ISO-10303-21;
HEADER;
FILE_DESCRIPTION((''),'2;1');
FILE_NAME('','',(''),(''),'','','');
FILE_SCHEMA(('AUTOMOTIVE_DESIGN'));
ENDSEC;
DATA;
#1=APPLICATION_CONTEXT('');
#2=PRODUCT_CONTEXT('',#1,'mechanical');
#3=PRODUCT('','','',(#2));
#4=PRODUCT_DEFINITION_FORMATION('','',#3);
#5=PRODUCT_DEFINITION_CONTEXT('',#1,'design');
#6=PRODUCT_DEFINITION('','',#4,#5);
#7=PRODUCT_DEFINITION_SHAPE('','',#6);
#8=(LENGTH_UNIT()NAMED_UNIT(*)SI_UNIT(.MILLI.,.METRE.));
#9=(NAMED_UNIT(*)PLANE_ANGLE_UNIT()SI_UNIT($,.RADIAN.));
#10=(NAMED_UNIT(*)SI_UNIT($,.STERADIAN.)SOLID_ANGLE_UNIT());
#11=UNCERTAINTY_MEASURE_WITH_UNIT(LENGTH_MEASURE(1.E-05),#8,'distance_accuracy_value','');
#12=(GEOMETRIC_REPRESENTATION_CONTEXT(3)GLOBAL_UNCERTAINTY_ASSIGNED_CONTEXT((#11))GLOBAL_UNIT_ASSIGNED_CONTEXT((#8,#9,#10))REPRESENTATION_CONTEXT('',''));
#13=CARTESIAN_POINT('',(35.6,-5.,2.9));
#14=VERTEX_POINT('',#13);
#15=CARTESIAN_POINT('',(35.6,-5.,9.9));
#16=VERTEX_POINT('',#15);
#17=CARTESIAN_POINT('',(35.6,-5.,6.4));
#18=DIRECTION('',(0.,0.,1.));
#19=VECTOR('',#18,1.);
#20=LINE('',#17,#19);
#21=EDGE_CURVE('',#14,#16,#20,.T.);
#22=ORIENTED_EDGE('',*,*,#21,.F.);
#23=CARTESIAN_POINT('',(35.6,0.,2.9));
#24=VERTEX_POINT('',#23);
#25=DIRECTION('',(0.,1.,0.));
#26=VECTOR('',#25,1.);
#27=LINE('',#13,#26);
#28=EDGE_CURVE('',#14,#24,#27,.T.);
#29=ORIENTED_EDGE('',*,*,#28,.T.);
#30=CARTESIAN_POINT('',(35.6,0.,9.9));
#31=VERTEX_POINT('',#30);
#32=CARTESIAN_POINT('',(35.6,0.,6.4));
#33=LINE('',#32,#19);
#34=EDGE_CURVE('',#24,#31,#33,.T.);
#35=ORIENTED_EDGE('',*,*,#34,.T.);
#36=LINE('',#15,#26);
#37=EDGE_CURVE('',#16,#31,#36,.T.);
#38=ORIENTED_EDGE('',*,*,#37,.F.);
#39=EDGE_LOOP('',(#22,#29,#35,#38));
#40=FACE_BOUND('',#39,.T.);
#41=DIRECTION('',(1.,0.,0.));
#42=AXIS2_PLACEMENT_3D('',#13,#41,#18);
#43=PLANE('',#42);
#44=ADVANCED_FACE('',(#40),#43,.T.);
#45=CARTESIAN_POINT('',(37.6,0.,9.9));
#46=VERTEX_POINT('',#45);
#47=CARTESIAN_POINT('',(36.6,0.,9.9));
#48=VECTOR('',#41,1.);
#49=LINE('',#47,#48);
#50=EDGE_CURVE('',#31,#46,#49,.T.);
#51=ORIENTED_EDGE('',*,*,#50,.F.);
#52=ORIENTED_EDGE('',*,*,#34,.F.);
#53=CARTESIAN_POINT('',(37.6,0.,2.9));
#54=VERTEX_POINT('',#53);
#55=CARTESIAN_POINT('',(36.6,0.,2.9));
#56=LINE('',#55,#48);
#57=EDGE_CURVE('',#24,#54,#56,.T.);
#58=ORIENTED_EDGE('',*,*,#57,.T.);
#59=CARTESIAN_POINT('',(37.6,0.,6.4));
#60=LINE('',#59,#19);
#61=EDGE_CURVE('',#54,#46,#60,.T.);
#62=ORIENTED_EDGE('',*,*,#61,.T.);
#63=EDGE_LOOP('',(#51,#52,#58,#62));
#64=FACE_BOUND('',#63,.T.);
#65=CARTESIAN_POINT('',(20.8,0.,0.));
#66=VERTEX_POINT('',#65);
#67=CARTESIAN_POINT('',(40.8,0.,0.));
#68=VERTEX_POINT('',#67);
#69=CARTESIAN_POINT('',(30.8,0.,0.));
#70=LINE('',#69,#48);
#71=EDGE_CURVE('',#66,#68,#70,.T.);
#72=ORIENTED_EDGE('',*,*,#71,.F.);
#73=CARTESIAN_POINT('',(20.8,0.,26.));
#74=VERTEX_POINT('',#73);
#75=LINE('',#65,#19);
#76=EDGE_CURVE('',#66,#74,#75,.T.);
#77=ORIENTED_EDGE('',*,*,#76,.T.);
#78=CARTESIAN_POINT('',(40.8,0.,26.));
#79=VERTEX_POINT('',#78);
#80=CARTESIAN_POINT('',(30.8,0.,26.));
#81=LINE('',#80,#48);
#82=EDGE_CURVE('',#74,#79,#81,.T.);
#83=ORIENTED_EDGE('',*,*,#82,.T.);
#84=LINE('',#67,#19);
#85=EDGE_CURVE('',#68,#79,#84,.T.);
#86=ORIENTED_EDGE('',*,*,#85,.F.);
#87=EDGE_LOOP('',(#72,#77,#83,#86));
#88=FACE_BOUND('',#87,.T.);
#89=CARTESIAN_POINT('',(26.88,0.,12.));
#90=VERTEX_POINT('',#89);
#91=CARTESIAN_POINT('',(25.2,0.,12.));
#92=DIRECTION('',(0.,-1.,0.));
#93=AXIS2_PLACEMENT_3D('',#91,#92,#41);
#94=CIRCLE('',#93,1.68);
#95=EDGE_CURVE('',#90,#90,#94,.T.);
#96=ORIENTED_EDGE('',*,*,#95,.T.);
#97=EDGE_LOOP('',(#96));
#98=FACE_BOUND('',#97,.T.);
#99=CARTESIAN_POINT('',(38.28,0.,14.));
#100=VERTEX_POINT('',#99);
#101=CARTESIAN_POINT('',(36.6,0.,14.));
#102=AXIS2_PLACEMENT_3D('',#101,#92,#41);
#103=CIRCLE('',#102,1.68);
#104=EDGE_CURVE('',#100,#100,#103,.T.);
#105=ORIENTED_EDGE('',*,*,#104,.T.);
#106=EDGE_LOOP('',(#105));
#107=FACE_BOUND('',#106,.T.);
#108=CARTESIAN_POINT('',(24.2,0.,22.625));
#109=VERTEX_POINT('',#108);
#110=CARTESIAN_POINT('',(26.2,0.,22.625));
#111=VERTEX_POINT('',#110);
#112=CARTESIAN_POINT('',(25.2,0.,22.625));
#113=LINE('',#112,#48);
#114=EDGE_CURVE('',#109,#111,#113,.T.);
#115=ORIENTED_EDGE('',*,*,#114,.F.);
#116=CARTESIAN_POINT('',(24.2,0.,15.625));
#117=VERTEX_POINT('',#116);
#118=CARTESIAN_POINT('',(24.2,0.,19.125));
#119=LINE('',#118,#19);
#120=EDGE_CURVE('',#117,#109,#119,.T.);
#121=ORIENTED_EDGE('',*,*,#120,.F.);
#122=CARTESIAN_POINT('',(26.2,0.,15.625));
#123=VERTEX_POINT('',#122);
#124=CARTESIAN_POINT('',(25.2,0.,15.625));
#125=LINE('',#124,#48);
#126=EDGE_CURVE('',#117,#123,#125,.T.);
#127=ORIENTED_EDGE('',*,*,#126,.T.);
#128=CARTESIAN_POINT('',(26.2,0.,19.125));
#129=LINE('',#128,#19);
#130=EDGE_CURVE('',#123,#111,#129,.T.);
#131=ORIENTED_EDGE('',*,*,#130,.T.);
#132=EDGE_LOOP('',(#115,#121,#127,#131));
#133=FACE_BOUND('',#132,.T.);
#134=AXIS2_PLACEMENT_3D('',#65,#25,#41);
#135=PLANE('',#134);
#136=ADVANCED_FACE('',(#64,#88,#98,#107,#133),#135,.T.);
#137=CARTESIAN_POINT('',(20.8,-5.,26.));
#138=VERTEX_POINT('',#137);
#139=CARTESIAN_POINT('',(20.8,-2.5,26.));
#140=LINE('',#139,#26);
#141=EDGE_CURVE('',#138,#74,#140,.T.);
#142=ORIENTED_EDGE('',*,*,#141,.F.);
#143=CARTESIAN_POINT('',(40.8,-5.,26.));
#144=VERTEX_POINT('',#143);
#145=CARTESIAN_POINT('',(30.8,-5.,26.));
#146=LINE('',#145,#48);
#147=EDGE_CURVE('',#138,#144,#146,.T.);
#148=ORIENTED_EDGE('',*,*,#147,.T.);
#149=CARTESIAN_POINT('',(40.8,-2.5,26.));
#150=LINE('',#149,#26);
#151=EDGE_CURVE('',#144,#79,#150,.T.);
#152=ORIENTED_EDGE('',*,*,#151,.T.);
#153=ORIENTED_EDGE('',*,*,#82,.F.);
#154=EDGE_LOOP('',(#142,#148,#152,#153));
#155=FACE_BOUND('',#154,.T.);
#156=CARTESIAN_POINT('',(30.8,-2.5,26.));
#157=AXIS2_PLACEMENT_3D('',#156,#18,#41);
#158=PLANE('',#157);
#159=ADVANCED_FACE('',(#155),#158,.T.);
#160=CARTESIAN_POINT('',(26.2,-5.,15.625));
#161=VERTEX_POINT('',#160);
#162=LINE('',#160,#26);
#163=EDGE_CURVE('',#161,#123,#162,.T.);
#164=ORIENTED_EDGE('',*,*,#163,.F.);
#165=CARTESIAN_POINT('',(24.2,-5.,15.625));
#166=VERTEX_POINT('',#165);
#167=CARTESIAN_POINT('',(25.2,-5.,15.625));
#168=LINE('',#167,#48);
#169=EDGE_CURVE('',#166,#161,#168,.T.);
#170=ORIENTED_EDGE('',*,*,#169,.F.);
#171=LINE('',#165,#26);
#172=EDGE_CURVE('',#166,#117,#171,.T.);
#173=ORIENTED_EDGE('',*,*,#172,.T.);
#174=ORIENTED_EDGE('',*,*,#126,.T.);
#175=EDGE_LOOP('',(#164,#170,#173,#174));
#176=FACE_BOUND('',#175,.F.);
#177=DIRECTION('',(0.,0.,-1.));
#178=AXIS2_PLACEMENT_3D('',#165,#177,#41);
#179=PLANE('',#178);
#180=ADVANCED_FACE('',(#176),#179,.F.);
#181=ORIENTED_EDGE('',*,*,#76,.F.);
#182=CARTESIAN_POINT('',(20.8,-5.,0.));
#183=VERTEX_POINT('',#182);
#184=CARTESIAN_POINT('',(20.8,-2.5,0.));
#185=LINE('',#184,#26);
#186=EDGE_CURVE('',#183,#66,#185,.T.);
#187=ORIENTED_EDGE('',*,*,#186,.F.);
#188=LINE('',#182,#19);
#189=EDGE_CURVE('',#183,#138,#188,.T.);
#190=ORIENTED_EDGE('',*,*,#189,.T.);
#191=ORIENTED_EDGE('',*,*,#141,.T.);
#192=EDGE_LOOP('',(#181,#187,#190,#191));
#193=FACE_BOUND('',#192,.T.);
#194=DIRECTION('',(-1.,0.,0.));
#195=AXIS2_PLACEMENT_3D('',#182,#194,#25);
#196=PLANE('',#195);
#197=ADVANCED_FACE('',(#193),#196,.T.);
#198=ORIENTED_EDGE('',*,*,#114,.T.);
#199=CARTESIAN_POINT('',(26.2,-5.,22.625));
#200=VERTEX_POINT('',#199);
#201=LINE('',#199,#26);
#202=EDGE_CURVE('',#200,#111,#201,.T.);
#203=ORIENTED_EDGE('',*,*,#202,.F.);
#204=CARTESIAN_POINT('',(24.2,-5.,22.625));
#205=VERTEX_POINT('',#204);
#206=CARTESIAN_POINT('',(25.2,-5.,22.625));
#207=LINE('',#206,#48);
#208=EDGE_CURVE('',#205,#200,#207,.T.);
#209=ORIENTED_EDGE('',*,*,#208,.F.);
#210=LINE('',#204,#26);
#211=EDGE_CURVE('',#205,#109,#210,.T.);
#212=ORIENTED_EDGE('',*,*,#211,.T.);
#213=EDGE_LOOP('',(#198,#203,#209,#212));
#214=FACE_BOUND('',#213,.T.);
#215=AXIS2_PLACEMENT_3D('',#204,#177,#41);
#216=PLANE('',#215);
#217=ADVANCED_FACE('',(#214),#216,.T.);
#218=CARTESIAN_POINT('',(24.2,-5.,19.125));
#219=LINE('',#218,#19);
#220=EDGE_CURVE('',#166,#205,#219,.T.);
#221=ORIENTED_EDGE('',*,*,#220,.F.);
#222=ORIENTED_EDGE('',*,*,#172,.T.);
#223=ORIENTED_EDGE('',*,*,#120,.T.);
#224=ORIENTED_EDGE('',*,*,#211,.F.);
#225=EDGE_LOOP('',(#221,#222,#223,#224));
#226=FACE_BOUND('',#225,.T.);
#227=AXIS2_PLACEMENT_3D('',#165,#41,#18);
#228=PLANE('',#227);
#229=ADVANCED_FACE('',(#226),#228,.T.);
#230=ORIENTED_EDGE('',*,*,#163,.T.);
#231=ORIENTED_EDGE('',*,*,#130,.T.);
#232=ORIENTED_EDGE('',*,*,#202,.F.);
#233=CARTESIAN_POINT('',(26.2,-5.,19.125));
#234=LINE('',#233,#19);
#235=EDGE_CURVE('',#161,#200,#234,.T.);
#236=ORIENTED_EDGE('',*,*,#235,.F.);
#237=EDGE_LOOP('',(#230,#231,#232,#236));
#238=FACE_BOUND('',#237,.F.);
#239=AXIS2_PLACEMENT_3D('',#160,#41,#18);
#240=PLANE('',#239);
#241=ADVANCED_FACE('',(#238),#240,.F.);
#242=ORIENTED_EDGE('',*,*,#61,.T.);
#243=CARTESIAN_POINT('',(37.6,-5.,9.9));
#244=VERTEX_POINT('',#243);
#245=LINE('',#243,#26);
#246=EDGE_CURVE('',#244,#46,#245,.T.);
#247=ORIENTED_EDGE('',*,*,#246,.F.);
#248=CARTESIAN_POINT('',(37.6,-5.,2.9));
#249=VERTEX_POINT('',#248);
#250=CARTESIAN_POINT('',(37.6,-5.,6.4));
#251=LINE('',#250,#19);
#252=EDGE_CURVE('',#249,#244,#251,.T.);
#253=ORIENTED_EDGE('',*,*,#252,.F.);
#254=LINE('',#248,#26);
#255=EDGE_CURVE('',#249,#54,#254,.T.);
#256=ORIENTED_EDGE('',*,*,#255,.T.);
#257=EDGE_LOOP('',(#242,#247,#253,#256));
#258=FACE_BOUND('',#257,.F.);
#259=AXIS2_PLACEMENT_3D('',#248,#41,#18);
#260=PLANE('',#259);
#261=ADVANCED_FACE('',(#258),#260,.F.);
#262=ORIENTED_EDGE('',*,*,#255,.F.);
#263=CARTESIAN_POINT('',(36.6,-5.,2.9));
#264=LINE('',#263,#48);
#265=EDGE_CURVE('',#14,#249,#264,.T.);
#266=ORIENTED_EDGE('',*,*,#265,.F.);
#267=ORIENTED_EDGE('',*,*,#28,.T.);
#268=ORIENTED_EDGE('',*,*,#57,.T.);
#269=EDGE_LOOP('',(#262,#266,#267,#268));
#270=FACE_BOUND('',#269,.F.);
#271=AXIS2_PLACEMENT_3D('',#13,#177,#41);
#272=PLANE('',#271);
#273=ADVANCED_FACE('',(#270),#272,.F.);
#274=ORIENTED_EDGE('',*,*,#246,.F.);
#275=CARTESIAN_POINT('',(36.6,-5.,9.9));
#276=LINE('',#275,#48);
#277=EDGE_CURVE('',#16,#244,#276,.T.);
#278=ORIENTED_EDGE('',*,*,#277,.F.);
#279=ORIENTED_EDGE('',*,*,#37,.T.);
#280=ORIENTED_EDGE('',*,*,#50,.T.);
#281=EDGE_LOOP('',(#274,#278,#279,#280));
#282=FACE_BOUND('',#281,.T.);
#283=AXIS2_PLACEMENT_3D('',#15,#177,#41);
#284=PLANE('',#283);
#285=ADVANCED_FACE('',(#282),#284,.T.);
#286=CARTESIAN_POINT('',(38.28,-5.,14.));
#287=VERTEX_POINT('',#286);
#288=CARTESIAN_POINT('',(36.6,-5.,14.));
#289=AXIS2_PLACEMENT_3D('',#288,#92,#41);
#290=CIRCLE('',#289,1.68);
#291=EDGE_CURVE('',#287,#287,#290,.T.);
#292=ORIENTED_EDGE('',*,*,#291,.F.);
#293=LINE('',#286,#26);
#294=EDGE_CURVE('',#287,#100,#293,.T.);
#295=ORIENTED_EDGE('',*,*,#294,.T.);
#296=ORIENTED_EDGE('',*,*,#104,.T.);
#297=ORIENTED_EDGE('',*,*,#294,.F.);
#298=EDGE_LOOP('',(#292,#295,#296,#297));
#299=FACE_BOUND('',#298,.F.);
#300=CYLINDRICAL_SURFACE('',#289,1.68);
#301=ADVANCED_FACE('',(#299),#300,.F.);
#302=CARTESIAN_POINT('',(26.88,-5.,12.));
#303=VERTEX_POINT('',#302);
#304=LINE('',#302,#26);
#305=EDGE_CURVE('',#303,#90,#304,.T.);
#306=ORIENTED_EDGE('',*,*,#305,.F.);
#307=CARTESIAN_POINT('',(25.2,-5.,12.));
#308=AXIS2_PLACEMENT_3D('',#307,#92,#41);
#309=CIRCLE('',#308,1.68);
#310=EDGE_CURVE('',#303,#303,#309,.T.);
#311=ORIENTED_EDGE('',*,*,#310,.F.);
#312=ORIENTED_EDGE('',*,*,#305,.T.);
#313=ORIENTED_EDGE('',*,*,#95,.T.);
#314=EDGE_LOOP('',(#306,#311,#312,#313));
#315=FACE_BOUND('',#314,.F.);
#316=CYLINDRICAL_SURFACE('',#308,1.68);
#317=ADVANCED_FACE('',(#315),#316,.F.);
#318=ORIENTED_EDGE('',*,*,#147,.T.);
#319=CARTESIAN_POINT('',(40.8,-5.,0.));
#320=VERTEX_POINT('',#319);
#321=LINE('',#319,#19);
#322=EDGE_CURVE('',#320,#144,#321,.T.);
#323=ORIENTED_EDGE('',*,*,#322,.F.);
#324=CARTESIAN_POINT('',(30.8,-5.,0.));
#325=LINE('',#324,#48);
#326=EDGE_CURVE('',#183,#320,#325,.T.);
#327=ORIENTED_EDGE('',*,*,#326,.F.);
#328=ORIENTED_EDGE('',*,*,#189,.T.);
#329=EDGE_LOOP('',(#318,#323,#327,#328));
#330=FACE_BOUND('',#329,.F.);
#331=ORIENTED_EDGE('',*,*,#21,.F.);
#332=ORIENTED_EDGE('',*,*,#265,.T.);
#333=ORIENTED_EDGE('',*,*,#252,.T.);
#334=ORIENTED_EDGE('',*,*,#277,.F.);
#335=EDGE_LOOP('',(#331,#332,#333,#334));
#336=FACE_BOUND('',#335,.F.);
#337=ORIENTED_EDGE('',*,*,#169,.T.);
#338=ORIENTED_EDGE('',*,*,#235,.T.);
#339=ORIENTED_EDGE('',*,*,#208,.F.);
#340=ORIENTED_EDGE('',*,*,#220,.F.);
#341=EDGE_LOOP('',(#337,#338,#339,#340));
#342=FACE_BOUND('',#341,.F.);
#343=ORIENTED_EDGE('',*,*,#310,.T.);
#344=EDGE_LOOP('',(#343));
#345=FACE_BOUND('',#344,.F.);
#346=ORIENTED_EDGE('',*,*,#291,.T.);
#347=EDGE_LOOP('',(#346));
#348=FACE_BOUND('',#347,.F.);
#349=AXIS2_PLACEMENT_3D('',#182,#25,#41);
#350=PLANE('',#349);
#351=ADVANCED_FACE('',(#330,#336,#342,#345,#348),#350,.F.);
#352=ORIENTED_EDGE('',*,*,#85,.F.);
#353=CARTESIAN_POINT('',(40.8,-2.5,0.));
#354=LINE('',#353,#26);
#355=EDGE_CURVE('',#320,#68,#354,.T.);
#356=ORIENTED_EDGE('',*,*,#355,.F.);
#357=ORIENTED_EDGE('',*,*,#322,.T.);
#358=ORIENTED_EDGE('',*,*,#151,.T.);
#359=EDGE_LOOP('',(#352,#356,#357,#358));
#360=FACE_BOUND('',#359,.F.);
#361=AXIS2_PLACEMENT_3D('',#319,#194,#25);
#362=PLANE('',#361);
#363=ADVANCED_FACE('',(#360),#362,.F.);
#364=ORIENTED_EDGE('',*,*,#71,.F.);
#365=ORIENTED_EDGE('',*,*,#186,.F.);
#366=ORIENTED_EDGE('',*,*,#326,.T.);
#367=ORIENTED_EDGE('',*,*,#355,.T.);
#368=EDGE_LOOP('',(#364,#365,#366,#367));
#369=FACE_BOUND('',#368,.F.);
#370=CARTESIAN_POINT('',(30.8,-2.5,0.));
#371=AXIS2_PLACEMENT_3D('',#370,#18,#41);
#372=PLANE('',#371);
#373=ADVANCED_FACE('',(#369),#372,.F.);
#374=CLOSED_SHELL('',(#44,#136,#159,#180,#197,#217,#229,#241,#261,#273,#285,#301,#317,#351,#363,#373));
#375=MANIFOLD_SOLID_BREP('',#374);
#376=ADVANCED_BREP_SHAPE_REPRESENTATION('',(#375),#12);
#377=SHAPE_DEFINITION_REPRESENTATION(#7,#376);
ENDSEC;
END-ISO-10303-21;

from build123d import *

# Parameters (mm, degrees)
BOX002_W        = 20
BOX002_H        = 5
BOX002_DEPTH    = 26
SKETCH_R        = 1.68
SKETCH_W        = 2
SKETCH_H        = 7
POCKET014_DEPTH = 5


with BuildPart() as part:
    # Box002 → Box002 (new body)
    with BuildSketch(Plane(origin=(20.8, -5, 0), x_dir=(1, 0, 0), z_dir=(0, 0, 1))):
        with Locations((10, 2.5)):
            Rectangle(BOX002_W, BOX002_H)
    extrude(amount=BOX002_DEPTH)

    # Sketch → Pocket014 (cut)
    with BuildSketch(Plane(origin=(20.8, -5, 0), x_dir=(1, 0, 0), z_dir=(0, -1, 0))):
        with Locations((4.4, 12)):
            Circle(SKETCH_R)
        with Locations((15.8, 14)):
            Circle(SKETCH_R)
        with Locations((4.4, 19.125)):
            Rectangle(SKETCH_W, SKETCH_H)
        with Locations((15.8, 6.4)):
            Rectangle(SKETCH_W, SKETCH_H)
    extrude(amount=-POCKET014_DEPTH, mode=Mode.SUBTRACT)


solid = part.part
